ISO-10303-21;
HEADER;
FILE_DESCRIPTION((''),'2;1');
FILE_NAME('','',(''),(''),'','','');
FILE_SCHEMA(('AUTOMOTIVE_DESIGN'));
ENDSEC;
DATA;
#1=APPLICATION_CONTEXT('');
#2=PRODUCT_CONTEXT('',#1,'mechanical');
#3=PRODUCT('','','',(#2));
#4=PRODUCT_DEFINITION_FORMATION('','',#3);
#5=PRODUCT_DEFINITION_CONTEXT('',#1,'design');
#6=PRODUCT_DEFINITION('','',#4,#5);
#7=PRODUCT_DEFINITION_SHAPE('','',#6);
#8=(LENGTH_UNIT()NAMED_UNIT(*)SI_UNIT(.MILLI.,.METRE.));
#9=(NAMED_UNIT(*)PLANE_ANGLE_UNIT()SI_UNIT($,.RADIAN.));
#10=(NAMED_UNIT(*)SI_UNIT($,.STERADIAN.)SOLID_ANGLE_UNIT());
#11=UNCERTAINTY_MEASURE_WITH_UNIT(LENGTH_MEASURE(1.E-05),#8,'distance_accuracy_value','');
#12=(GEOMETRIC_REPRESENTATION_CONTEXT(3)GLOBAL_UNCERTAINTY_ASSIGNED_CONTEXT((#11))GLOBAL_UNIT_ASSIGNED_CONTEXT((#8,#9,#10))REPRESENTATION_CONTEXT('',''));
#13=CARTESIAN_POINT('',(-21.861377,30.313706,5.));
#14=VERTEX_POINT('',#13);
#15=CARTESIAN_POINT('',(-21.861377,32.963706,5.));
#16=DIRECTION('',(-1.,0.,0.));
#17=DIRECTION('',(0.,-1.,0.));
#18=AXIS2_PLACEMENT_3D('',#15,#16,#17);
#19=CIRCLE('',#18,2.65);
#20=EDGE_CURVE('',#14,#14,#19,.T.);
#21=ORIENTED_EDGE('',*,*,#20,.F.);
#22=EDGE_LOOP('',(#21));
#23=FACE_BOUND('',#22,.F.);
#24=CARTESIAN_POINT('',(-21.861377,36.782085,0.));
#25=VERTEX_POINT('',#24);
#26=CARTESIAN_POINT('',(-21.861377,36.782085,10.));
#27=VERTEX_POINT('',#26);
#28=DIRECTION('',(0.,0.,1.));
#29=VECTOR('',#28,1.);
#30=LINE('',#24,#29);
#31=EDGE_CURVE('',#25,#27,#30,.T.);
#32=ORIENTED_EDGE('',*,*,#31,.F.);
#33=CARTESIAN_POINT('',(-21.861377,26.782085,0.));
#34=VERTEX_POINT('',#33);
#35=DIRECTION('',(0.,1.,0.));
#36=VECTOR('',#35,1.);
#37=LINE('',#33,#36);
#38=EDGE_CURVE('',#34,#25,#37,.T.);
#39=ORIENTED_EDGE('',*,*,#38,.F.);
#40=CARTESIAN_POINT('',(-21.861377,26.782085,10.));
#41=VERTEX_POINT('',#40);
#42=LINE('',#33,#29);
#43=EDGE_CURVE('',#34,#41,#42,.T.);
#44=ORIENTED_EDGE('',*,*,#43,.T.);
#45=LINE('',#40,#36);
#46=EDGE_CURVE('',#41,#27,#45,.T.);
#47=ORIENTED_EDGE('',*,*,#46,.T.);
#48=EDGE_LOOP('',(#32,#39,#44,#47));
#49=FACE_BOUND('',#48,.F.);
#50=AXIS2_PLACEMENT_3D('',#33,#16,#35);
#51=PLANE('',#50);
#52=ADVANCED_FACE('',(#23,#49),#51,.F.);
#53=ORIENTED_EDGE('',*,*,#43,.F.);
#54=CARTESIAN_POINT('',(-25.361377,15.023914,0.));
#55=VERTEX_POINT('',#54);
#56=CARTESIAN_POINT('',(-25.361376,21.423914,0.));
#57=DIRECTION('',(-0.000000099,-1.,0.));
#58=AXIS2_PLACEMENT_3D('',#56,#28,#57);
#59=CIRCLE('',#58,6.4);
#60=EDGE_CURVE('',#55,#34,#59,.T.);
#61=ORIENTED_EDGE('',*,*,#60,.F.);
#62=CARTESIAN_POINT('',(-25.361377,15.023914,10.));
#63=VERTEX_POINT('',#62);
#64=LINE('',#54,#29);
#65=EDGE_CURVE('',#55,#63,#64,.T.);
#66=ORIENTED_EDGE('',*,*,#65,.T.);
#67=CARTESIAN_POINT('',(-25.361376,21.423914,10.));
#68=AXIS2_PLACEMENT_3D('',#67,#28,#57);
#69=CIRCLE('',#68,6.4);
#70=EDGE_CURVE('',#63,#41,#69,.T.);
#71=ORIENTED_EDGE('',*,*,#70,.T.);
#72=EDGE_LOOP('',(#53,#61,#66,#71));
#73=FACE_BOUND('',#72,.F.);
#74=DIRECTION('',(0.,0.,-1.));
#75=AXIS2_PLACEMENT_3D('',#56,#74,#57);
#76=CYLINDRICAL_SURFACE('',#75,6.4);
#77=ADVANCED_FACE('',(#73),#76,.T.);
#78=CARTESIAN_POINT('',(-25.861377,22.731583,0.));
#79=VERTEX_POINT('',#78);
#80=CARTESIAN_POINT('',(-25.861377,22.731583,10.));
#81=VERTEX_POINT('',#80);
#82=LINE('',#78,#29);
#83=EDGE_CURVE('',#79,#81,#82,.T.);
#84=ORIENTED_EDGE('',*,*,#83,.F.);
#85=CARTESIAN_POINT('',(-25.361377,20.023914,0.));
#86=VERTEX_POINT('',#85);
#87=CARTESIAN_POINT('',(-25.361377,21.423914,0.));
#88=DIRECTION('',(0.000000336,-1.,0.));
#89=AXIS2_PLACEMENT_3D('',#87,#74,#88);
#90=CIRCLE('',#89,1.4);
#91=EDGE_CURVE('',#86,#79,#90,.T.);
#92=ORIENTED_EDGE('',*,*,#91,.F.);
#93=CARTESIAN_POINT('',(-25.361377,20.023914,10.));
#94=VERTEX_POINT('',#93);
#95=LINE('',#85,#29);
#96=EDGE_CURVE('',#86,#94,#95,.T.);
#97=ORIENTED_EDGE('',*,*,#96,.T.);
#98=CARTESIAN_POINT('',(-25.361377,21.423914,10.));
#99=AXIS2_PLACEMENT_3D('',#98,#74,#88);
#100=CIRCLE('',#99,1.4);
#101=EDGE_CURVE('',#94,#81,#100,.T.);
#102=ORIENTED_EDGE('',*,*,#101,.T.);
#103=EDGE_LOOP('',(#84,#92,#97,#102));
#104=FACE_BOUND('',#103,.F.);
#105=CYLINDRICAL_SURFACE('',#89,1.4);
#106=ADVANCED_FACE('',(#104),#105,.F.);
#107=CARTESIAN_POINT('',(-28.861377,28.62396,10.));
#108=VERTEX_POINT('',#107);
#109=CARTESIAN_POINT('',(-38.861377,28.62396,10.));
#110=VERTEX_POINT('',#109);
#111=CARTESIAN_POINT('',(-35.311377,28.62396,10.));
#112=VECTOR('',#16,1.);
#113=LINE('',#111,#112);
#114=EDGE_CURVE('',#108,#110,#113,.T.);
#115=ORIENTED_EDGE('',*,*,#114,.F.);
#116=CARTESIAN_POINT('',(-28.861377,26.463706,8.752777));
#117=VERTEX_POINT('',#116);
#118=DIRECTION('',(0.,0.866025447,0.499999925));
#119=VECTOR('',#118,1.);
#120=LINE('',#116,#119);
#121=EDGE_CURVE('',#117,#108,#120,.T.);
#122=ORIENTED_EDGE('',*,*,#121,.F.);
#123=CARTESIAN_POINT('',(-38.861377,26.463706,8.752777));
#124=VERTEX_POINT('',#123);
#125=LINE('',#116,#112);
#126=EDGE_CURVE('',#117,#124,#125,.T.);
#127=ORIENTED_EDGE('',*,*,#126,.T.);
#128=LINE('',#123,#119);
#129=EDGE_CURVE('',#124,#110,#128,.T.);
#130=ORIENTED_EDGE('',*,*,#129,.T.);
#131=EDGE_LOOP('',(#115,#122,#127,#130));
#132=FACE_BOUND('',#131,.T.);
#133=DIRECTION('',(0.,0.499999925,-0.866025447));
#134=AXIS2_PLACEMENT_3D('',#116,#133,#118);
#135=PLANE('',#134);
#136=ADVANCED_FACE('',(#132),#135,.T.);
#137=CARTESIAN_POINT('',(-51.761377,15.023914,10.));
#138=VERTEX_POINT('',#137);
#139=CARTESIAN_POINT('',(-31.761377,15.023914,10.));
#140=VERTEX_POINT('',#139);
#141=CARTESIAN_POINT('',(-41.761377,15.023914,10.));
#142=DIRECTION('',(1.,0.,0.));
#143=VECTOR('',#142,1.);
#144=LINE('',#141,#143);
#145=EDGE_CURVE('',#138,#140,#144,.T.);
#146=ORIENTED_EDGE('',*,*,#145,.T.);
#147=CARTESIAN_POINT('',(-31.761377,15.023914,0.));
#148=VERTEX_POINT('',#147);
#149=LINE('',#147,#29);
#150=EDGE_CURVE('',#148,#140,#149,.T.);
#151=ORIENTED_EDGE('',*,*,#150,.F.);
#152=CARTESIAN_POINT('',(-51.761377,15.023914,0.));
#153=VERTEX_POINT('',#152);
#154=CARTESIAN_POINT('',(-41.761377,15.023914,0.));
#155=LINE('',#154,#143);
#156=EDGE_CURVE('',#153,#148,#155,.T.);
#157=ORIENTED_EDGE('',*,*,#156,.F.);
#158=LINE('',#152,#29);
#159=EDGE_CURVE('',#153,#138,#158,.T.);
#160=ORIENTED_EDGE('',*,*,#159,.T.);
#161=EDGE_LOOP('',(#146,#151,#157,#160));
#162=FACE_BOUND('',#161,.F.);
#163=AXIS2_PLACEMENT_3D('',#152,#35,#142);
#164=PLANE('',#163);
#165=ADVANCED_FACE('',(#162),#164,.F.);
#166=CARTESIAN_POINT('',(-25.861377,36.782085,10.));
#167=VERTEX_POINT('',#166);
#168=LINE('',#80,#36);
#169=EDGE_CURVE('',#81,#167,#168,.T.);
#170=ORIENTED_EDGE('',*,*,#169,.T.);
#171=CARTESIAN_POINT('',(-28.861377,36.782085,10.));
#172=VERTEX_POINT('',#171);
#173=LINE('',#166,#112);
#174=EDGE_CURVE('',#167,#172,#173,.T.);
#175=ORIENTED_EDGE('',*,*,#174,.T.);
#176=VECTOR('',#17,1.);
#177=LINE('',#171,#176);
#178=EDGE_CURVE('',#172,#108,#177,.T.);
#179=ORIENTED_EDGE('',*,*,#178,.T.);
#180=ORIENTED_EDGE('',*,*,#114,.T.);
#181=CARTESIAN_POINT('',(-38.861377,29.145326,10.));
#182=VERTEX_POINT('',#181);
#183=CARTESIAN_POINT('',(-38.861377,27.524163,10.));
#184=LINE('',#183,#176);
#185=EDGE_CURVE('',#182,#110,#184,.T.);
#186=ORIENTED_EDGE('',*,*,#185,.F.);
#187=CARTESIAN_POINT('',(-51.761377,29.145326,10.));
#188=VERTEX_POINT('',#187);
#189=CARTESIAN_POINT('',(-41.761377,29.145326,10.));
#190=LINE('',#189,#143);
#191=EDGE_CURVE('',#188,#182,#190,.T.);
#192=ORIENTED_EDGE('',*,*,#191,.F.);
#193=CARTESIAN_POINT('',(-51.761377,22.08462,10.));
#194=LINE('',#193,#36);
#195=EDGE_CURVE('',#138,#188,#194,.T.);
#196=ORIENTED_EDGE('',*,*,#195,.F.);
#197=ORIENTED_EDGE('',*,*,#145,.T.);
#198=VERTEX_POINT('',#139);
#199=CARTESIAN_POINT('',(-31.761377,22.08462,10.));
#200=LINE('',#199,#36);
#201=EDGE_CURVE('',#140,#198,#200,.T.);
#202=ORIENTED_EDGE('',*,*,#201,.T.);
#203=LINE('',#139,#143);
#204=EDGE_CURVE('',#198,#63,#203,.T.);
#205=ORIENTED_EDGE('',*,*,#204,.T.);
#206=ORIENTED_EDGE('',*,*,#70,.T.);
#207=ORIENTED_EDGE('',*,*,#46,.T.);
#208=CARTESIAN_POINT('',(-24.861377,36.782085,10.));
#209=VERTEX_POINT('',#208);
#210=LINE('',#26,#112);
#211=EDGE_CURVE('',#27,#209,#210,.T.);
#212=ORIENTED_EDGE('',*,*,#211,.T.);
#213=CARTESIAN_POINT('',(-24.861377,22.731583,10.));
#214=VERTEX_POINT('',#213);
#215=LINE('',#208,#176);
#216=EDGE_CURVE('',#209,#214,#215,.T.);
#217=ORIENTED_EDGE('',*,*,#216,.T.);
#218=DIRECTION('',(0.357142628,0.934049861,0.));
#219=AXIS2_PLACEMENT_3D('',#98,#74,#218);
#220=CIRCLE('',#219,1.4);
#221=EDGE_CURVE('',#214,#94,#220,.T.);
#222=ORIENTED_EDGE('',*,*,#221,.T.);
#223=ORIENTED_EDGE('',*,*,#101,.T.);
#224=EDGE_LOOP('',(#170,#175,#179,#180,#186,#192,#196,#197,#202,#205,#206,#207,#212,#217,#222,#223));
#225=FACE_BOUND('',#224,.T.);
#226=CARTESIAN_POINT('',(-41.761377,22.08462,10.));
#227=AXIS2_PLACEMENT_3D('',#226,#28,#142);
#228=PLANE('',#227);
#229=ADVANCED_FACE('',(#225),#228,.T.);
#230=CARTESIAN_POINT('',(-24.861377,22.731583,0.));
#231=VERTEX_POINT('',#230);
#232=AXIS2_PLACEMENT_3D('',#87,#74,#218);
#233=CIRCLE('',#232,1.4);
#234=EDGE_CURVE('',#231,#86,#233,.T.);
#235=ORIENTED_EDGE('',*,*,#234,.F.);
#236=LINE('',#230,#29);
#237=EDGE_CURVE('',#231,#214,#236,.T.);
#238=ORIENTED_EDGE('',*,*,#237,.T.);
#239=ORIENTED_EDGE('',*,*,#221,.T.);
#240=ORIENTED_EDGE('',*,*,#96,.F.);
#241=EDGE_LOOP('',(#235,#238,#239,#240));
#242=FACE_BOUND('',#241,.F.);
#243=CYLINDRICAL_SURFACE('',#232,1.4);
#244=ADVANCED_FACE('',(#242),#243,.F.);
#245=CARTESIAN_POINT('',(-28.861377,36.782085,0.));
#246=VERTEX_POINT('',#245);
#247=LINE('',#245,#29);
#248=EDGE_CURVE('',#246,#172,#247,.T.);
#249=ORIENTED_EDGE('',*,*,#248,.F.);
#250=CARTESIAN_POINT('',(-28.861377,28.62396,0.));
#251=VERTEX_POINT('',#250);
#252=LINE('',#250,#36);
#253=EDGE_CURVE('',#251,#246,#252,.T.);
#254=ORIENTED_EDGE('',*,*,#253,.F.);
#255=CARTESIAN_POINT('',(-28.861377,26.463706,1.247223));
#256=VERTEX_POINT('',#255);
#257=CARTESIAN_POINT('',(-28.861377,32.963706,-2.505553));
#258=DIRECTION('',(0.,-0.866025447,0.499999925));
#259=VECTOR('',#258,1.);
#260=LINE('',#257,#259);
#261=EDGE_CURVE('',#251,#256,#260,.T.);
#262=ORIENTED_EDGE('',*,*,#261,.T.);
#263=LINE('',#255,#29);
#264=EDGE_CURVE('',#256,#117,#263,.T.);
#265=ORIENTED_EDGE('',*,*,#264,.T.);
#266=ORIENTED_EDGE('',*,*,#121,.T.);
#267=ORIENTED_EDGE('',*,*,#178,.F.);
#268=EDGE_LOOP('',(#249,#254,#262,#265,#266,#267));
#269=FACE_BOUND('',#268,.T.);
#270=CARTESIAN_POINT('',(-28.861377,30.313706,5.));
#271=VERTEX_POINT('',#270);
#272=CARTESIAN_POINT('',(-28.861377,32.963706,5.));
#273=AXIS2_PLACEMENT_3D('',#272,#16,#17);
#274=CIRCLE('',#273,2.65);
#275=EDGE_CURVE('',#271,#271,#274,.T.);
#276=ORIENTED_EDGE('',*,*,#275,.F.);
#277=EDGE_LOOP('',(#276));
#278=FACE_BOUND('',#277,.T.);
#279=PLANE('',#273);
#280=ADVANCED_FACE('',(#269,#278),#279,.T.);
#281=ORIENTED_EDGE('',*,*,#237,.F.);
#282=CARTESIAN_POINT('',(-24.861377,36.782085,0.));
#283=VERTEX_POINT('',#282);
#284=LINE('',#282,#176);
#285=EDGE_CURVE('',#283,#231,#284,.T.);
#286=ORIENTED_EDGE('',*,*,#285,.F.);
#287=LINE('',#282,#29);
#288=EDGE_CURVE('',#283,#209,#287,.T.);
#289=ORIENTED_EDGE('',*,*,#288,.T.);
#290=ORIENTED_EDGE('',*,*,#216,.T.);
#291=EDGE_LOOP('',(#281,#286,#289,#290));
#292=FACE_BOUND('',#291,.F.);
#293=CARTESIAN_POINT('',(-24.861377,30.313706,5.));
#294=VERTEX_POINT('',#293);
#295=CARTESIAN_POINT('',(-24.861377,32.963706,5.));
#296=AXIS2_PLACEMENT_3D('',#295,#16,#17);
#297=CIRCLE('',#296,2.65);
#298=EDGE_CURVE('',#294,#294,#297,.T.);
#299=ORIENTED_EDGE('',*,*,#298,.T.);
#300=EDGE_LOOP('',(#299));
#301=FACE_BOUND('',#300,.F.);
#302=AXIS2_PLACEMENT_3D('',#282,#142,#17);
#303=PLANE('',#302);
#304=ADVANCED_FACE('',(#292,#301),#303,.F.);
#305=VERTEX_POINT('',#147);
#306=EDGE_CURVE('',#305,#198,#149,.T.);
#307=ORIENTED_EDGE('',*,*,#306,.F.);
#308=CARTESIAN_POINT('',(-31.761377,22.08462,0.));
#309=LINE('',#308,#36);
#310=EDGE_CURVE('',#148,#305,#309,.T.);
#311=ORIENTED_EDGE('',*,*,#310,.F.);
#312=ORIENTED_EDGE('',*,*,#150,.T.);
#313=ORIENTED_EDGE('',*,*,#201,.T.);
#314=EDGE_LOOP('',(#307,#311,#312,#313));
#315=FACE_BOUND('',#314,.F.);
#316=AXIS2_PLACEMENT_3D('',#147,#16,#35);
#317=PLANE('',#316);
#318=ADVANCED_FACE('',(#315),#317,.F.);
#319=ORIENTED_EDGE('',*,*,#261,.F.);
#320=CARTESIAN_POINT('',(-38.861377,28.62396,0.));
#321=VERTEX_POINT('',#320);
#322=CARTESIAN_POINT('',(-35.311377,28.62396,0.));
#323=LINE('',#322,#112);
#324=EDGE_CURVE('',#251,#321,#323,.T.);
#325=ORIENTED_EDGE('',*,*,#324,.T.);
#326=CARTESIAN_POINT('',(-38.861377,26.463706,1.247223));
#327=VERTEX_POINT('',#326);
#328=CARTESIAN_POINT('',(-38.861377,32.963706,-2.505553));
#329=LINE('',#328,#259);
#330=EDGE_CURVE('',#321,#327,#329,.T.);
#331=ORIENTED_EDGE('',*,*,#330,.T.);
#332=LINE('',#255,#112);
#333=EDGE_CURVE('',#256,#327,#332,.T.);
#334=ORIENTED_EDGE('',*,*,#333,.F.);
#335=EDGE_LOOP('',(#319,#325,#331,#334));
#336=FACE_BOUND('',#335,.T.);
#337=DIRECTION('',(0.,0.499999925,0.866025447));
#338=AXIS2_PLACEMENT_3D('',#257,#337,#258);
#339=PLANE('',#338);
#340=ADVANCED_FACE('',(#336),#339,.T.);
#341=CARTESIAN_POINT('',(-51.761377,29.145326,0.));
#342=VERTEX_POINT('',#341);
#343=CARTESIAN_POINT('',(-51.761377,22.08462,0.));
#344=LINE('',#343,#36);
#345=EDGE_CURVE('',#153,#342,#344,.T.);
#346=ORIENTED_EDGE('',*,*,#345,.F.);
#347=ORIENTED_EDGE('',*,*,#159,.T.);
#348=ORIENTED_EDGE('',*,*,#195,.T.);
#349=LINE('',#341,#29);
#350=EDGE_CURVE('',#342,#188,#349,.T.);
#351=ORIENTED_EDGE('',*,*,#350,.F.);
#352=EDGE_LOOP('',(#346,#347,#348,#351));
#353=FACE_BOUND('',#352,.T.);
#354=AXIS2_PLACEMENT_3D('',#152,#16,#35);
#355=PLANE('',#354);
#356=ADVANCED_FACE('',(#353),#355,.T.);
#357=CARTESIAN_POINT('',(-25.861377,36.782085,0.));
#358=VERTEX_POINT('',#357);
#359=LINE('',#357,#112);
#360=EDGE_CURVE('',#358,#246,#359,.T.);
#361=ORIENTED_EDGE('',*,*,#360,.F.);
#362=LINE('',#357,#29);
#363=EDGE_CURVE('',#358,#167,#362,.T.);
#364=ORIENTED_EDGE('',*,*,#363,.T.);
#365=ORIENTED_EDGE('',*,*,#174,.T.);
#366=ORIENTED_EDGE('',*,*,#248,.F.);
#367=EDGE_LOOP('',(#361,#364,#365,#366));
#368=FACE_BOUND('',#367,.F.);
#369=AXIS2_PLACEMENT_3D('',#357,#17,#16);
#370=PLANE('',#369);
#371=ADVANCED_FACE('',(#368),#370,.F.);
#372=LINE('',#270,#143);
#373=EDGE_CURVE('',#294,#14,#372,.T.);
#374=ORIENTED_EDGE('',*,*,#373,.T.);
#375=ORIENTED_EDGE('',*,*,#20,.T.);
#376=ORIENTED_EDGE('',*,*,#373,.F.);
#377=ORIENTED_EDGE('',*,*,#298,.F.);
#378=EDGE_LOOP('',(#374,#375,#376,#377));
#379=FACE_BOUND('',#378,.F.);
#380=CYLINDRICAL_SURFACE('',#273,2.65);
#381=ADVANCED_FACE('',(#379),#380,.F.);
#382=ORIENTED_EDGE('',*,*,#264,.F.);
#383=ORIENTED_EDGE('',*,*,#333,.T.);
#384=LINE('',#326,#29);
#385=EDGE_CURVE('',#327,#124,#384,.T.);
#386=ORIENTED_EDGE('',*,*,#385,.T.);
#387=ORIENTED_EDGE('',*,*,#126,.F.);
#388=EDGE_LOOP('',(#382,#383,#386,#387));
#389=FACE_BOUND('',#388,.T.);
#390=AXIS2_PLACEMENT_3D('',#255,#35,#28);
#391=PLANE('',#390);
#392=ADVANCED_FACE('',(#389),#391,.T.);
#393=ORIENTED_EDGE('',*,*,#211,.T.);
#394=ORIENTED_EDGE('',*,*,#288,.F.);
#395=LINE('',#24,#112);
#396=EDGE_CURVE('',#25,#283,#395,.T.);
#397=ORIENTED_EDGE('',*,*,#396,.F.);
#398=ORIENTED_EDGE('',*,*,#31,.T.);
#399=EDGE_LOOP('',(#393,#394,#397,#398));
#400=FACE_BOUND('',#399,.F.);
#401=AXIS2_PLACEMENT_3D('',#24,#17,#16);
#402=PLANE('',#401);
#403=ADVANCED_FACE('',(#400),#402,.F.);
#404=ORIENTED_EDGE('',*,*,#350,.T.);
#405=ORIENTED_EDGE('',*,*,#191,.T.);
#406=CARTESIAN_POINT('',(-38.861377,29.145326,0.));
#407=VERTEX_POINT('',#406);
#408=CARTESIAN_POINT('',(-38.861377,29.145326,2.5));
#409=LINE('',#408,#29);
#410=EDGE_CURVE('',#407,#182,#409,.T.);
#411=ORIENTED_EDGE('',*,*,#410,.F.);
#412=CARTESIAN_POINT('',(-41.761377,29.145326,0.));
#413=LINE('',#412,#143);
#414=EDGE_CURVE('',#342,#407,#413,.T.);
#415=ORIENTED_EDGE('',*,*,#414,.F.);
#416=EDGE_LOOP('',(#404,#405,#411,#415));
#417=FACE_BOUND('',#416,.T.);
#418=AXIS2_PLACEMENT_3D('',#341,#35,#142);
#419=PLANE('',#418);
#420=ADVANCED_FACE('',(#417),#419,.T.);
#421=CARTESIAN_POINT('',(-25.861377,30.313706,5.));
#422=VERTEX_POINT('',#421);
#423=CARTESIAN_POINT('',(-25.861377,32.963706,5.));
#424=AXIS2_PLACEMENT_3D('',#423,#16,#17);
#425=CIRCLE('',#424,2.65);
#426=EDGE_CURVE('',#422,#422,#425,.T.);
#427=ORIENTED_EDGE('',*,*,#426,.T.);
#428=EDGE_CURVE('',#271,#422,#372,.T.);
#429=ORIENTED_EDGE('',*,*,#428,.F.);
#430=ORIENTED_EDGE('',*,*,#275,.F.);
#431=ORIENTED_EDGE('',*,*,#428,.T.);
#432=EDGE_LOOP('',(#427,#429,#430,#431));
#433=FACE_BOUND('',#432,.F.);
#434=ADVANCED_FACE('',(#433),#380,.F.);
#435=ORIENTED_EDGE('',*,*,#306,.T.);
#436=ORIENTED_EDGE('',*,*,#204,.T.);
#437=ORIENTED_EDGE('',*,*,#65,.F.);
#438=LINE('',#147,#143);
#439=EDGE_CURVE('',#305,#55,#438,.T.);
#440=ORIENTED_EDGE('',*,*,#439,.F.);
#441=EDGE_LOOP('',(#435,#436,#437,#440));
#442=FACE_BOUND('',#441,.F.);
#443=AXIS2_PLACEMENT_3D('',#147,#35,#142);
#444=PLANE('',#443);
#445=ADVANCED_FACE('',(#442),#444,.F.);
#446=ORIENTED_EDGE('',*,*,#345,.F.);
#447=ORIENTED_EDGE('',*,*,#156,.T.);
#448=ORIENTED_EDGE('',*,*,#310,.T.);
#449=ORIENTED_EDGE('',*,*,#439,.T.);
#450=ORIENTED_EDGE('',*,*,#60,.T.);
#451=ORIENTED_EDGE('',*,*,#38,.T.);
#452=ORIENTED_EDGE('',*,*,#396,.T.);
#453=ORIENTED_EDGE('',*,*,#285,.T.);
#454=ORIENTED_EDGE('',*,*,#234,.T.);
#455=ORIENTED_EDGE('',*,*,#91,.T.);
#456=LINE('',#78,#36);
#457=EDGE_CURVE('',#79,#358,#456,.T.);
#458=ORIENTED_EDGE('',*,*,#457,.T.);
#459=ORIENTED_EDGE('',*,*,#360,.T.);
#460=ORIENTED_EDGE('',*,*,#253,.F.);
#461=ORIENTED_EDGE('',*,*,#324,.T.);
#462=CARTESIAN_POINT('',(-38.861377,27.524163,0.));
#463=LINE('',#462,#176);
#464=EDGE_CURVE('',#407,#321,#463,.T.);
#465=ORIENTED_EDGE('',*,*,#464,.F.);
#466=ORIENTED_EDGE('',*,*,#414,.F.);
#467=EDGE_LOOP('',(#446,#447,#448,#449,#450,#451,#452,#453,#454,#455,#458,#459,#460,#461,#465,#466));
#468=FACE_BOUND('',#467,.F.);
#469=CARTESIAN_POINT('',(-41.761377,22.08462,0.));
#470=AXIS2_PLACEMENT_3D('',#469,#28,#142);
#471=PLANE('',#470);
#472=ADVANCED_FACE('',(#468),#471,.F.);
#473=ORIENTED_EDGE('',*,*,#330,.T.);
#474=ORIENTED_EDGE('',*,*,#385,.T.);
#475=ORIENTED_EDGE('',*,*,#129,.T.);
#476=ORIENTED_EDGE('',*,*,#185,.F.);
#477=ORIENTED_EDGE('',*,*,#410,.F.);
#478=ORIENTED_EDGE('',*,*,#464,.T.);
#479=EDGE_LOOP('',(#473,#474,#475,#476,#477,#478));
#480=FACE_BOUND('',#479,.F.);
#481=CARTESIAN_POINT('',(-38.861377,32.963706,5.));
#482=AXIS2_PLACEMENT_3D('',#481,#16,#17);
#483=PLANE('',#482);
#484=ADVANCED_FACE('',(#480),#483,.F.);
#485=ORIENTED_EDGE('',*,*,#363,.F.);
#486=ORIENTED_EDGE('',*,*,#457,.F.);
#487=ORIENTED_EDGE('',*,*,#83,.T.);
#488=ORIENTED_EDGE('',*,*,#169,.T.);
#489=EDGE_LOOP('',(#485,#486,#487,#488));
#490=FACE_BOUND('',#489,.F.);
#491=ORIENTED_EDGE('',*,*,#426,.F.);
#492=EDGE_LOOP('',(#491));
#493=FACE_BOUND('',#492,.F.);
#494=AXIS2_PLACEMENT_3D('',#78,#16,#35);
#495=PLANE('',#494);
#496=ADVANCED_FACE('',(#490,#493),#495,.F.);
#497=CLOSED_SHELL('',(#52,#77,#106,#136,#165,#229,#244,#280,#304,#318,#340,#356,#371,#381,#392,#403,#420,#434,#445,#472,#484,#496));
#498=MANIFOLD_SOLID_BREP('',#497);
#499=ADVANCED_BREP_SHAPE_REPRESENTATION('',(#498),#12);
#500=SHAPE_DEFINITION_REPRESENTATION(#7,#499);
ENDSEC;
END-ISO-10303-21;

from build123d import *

# Parameters (mm, degrees)
F0_W     = 20
F0_H     = 14.121413
F1_DEPTH = 10
F2_R     = 2.65
F3_DEPTH = 9.901
F5_DEPTH = 10


with BuildPart() as f1:
    # F0 (on Top) → F1 (new body)
    with BuildSketch(Plane.XY):
        with Locations((-41.761377, 22.08462)):
            Rectangle(F0_W, F0_H)
        with BuildLine():
            ThreePointArc((-25.361377, 20.023914), (-26.738101, 21.169687), (-25.861377, 22.731583))
            Line((-25.861377, 22.731583), (-25.861377, 26.782085))
            Line((-25.861377, 26.782085), (-25.861377, 27.804352))
            Line((-25.861377, 27.804352), (-25.861377, 36.782085))
            Line((-25.861377, 36.782085), (-28.861377, 36.782085))
            Line((-28.861377, 36.782085), (-28.861377, 29.145327))
            Line((-28.861377, 29.145327), (-31.761377, 29.145327))
            Line((-31.761377, 29.145327), (-31.761377, 15.023914))
            Line((-31.761377, 15.023914), (-25.361377, 15.023914))
            Line((-25.361377, 15.023914), (-25.361377, 20.023914))
        make_face()
        with BuildLine():
            ThreePointArc((-24.861377, 22.731583), (-23.984653, 21.169687), (-25.361377, 20.023914))
            Line((-25.361377, 20.023914), (-25.361377, 15.023914))
            ThreePointArc((-25.361377, 15.023914), (-19.227361, 19.59803), (-21.861377, 26.782085))
            Line((-21.861377, 26.782085), (-21.861377, 36.782085))
            Line((-21.861377, 36.782085), (-24.861377, 36.782085))
            Line((-24.861377, 36.782085), (-24.861377, 27.804352))
            Line((-24.861377, 27.804352), (-24.861377, 26.782085))
            Line((-24.861377, 26.782085), (-24.861377, 22.731583))
        make_face()
    extrude(amount=F1_DEPTH)

    # F2 (on face) → F3 (cut, through all)
    with BuildSketch(Plane(origin=(-28.861377, 0, 0), x_dir=(0, -1, 0), z_dir=(-1, 0, 0))):
        with Locations((-32.963706, 5)):
            Circle(F2_R)
    extrude(amount=-F3_DEPTH, mode=Mode.SUBTRACT)

    # F4 (on face) → F5 (cut)
    with BuildSketch(Plane(origin=(-28.861377, 0, 0), x_dir=(0, -1, 0), z_dir=(-1, 0, 0))):
        Polygon((-39.463706, 8.752777), (-39.463706, 1.247223), (-32.963706, -2.505553), (-26.463706, 1.247223), (-26.463706, 8.752777), (-32.963706, 12.505553), align=None)
    extrude(amount=F5_DEPTH, mode=Mode.SUBTRACT)


solid = f1.part
